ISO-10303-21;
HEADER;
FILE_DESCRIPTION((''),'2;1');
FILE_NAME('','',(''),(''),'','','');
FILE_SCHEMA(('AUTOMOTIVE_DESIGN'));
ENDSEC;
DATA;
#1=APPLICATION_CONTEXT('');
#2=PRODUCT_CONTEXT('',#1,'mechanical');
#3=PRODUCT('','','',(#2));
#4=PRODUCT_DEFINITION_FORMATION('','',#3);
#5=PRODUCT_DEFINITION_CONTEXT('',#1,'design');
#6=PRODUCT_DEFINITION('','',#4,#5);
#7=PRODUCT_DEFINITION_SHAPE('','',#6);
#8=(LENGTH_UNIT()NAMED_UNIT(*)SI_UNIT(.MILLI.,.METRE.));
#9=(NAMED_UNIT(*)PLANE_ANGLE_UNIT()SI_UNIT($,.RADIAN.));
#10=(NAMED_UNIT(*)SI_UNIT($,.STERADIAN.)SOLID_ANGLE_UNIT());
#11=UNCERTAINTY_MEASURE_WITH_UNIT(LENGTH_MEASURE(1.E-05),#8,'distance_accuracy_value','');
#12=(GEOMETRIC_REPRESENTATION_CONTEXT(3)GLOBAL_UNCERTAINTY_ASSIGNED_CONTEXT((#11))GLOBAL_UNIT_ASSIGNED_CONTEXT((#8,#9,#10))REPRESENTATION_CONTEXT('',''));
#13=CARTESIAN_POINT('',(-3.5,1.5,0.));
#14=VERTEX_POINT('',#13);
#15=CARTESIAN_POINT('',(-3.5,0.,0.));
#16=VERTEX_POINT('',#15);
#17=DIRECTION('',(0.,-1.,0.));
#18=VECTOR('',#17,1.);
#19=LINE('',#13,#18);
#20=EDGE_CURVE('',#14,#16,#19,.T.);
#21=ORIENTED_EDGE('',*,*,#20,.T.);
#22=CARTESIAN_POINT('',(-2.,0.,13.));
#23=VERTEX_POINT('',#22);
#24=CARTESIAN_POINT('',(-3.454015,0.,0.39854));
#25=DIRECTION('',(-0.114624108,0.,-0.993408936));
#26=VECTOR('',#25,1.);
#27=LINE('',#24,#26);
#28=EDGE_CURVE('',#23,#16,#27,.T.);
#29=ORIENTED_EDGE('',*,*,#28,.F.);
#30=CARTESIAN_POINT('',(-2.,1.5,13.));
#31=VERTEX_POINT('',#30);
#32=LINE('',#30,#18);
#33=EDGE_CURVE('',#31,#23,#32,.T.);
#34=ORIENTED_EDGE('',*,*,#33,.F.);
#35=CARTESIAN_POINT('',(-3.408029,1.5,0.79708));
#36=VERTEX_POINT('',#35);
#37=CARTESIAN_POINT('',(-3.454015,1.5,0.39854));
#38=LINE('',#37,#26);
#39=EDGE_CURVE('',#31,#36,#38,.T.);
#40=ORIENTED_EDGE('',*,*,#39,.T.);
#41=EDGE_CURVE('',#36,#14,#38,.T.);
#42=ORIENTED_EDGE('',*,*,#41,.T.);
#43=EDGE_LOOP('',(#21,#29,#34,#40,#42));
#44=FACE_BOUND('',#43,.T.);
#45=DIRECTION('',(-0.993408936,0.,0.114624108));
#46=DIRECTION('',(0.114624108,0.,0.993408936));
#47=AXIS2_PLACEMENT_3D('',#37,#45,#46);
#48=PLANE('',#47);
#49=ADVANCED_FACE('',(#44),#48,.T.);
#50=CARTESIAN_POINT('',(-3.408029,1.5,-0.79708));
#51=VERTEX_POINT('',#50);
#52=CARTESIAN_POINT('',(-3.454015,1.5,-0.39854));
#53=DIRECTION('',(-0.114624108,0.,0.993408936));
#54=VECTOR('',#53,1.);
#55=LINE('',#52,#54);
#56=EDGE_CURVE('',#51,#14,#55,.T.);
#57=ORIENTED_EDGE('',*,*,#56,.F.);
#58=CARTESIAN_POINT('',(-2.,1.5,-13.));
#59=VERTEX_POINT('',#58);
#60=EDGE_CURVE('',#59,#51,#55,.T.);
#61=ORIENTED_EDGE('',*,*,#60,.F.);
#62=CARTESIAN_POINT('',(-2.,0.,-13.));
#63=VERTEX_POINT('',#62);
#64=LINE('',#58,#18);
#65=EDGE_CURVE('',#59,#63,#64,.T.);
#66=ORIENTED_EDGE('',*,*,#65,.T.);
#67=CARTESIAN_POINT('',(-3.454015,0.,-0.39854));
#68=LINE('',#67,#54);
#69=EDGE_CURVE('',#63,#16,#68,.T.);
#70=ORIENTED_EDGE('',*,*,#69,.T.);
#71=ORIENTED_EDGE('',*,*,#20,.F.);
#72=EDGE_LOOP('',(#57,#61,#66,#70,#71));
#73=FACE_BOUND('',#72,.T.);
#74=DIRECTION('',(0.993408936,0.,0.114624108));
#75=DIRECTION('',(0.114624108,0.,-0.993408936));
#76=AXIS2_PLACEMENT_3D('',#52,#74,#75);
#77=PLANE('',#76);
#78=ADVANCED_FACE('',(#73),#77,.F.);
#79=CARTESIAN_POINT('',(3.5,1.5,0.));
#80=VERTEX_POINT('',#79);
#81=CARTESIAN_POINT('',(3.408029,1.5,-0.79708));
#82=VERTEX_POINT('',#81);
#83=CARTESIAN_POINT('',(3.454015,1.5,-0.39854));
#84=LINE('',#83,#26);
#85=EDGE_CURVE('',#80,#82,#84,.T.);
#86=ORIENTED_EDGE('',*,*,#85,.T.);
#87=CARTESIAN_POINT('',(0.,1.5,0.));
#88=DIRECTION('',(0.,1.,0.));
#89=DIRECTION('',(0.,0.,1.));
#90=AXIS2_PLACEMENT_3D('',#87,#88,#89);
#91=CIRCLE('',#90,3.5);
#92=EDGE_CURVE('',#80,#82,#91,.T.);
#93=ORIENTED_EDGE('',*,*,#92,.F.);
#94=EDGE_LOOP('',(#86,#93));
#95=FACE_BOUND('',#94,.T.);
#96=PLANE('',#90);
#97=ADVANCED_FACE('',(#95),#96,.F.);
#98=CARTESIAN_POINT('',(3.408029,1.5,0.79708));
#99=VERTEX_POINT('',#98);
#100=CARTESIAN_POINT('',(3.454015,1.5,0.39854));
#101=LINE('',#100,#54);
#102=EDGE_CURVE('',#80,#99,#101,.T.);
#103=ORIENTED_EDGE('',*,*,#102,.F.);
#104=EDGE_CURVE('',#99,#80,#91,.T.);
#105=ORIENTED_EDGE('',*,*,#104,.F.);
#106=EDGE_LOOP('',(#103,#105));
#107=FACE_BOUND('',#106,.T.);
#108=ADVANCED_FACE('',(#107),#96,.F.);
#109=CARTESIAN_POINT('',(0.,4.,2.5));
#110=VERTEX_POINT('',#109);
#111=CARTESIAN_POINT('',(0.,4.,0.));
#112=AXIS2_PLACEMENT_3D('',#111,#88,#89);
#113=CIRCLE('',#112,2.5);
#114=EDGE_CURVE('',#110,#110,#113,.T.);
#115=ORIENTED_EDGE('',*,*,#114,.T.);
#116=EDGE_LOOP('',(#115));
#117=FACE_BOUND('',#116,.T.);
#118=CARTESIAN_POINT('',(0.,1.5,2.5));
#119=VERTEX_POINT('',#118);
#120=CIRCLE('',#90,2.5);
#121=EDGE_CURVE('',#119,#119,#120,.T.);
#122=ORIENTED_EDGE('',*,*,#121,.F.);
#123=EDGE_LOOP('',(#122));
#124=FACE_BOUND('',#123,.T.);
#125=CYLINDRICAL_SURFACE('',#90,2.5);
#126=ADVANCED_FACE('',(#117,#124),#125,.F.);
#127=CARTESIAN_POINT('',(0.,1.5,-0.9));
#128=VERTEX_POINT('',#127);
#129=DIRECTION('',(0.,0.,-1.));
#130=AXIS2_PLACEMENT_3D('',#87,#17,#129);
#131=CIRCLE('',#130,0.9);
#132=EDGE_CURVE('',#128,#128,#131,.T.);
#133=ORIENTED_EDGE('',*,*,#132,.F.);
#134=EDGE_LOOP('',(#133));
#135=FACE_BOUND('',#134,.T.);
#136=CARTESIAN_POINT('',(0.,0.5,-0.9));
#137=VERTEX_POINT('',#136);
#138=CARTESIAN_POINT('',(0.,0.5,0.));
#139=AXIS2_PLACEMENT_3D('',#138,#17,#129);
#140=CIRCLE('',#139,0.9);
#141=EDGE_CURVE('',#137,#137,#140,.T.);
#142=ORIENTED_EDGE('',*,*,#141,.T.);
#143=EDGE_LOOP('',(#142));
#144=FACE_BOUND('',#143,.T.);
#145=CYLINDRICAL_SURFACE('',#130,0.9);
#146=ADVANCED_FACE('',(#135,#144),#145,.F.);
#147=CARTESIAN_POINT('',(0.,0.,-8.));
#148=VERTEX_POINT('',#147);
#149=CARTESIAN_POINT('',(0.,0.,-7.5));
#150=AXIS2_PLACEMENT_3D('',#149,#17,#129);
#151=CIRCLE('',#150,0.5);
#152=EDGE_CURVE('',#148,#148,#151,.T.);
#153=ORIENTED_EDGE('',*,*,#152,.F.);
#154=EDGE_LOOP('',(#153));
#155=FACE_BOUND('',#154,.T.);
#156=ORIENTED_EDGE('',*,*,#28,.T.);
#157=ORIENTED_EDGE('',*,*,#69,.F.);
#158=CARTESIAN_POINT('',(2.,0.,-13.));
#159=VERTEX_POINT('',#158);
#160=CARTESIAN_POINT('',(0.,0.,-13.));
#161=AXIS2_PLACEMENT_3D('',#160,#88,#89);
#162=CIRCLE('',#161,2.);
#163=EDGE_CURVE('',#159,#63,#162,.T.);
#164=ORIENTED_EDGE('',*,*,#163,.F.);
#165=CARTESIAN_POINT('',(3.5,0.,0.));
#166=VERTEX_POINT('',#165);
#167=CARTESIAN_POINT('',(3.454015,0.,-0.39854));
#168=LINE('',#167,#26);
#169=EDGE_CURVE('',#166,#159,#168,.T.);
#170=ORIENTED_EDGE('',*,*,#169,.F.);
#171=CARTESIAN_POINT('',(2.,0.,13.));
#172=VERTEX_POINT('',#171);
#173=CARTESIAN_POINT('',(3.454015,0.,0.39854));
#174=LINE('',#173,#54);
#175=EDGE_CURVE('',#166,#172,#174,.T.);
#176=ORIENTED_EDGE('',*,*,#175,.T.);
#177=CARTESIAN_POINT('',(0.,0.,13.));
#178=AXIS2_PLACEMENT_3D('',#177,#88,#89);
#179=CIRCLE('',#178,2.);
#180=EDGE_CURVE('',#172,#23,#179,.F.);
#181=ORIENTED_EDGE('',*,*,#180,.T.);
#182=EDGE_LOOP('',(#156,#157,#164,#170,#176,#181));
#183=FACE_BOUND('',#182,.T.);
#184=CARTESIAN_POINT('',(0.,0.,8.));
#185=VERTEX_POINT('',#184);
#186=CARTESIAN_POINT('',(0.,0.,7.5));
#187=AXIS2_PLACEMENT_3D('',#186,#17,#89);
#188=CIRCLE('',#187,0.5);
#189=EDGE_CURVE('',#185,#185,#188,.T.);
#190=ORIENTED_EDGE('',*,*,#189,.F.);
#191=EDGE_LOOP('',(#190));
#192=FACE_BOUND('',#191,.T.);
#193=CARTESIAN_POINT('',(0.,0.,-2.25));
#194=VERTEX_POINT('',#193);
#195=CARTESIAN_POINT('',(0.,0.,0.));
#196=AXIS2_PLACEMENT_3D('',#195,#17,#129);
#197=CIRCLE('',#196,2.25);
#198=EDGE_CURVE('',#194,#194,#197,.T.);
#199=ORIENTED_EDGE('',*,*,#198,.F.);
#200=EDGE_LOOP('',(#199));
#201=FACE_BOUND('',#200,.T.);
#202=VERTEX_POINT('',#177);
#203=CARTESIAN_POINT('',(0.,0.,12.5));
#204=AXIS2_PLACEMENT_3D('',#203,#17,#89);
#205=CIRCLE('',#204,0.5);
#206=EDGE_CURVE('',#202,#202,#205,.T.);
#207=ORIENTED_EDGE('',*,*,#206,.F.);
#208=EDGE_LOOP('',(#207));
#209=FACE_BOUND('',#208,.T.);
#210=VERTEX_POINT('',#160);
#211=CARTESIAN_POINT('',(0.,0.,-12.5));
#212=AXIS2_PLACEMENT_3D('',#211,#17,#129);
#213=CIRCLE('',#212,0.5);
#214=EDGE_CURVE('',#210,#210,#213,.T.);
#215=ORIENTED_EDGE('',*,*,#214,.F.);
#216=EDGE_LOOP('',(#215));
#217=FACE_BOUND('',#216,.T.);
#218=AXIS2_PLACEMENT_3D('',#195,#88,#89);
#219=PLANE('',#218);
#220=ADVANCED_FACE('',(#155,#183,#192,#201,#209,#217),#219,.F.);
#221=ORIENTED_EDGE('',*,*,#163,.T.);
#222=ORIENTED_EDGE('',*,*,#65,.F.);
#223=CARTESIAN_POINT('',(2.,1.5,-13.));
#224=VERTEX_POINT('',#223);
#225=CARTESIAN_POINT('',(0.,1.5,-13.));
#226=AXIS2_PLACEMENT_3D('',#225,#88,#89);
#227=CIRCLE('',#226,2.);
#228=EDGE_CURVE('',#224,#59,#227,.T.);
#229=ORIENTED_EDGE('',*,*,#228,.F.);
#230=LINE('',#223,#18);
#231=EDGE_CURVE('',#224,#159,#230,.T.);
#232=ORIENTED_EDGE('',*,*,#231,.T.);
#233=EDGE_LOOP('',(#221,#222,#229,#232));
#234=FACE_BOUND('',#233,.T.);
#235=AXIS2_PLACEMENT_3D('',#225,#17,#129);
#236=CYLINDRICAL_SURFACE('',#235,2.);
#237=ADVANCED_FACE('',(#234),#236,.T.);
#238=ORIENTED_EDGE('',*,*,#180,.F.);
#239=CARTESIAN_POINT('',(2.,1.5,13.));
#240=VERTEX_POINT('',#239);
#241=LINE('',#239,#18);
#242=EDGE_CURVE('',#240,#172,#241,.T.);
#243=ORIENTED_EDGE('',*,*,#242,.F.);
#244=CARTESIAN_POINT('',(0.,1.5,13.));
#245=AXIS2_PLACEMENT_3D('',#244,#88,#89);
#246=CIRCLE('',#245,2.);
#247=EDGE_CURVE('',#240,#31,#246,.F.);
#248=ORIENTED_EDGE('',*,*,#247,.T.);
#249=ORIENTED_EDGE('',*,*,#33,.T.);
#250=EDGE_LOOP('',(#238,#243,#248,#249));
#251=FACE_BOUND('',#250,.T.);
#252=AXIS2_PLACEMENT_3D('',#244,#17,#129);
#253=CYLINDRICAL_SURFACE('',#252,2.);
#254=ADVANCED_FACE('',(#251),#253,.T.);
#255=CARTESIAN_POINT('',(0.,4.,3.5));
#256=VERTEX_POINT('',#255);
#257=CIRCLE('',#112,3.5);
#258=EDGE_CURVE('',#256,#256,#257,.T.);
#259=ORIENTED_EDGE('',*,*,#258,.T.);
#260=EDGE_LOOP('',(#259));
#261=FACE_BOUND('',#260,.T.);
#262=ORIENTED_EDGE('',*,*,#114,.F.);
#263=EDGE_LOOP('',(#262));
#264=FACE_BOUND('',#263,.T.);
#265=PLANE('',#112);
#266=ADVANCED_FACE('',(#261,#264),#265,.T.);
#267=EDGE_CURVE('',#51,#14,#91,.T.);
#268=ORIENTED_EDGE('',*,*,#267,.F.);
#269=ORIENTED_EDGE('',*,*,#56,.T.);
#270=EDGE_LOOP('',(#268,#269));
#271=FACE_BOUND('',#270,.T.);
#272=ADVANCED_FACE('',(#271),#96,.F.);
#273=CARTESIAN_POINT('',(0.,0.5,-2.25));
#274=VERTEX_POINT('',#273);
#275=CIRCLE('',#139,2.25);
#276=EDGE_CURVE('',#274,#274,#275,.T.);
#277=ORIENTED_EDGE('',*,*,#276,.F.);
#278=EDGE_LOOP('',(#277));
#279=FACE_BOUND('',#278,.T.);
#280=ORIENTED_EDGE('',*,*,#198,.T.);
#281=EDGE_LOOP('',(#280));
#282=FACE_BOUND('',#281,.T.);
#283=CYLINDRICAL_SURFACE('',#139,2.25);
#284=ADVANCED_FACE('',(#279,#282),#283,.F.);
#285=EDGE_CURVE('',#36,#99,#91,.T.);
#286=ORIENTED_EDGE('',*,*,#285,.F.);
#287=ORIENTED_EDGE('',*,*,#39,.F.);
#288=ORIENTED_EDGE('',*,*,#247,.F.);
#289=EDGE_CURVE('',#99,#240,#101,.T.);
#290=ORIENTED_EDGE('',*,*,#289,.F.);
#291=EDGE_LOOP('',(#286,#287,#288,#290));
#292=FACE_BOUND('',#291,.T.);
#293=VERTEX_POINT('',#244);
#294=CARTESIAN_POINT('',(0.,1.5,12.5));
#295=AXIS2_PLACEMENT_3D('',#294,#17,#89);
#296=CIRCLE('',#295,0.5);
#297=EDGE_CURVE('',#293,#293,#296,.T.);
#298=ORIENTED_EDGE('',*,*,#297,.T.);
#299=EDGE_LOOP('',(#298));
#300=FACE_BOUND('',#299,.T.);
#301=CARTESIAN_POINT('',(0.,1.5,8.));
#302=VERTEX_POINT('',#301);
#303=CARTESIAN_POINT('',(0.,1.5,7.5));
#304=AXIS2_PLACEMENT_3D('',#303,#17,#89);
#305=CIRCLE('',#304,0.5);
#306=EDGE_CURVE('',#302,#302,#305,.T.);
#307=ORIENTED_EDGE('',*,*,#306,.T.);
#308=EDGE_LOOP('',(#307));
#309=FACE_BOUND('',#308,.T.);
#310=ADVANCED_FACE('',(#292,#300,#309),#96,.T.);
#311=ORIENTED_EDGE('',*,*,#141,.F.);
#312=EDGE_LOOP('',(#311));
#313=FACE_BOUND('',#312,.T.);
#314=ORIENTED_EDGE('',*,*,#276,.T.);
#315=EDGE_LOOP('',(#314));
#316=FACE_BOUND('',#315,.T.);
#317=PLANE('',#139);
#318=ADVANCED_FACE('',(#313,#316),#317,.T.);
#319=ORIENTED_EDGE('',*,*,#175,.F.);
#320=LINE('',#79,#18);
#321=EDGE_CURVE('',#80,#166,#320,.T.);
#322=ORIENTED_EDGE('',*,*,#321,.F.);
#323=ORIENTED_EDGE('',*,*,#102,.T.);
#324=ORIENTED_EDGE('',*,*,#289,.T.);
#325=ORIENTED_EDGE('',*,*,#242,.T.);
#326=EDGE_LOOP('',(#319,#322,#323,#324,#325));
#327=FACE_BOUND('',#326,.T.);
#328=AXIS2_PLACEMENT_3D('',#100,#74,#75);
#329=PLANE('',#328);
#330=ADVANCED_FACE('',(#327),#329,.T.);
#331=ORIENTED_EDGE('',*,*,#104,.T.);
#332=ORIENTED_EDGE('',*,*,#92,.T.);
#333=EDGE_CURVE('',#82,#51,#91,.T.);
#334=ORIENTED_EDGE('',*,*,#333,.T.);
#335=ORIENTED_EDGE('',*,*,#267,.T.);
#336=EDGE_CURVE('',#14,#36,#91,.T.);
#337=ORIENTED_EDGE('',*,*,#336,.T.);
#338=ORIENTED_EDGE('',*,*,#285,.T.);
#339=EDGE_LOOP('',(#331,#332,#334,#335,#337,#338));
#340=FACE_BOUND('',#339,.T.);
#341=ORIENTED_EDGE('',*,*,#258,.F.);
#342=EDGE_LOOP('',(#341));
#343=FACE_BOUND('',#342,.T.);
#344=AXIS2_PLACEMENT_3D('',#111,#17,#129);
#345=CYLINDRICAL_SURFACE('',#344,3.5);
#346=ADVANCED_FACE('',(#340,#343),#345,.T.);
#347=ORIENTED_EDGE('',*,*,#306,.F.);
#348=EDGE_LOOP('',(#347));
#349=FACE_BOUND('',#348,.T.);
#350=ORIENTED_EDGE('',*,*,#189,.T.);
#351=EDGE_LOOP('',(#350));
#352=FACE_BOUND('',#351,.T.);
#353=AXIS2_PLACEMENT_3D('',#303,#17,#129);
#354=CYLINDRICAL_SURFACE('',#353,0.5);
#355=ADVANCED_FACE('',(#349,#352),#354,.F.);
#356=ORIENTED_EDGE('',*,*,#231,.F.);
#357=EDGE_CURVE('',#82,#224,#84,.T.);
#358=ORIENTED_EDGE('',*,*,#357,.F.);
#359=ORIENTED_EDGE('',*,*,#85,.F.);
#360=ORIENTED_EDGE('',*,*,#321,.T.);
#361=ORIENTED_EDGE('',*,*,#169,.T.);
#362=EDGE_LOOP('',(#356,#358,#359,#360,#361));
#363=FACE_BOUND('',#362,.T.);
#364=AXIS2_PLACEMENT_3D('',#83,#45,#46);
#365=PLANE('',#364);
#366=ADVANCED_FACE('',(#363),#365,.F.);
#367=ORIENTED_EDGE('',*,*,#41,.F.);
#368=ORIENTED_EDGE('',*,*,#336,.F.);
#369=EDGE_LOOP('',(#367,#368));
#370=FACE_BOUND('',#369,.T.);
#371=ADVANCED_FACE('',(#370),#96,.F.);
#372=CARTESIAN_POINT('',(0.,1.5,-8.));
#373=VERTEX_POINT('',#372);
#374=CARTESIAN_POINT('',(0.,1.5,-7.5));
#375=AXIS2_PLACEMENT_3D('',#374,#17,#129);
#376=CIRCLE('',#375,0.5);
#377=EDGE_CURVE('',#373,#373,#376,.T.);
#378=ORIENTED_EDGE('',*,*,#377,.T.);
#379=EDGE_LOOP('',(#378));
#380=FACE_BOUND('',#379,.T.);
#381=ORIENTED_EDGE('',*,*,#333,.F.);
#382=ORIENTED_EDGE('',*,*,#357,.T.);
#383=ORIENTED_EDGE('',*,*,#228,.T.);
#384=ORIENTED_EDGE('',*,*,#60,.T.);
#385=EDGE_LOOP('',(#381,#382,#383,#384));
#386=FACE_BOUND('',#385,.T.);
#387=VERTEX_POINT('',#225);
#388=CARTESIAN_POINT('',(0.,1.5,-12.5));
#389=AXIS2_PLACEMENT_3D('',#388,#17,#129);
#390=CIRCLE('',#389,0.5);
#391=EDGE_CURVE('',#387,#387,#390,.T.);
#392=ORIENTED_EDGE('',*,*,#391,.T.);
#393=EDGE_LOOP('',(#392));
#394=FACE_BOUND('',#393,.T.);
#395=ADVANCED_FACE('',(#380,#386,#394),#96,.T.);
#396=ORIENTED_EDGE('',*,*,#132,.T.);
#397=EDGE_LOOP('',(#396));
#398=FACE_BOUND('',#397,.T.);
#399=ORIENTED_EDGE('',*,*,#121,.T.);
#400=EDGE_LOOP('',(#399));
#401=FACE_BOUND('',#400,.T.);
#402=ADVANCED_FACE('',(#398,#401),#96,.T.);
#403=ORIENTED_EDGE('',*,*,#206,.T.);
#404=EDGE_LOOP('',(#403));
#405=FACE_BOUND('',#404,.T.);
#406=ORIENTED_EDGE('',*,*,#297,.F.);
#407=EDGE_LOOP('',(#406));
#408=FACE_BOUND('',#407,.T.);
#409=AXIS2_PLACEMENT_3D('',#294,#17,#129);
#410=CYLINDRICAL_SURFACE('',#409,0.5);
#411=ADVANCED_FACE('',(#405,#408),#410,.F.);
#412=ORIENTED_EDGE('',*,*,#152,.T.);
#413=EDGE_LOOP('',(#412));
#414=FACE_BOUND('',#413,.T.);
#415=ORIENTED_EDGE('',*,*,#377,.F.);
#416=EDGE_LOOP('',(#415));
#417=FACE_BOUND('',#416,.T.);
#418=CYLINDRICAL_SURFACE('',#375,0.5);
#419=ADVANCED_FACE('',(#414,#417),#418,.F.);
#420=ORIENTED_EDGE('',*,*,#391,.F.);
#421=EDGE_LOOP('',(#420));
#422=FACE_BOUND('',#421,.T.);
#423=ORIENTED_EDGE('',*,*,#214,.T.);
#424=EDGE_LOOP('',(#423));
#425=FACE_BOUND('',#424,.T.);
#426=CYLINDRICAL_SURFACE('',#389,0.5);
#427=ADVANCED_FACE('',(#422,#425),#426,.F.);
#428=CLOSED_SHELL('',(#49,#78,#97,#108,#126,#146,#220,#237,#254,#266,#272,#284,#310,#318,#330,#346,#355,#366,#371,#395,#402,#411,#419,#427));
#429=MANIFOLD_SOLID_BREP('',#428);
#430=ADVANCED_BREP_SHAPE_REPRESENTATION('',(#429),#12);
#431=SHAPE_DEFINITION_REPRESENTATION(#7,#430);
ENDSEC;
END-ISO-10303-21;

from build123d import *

# Parameters (mm, degrees)
EXTRUDE_2_DEPTH     = 1.5
SKETCH_7_R          = 3.5
EXTRUDE_3_DEPTH     = 2.5
SKETCH_8_R          = 2.5
CUT_EXTRUDE_1_DEPTH = 2.5
SKETCH_9_R          = 2.25
CUT_EXTRUDE_2_DEPTH = 0.5
SKETCH_10_R         = 0.9
CUT_EXTRUDE_3_DEPTH = 1
SKETCH_11_R         = 0.5
CUT_EXTRUDE_4_DEPTH = 1.5


with BuildPart() as part:
    # Эскиз1 → Бобышка-Вытянуть2 (new body)
    with BuildSketch(Plane(origin=(0, 0, 0), x_dir=(1, 0, 0), z_dir=(0, 1, 0))):
        with BuildLine():
            ThreePointArc((2, 13), (0, 15), (-2, 13))
            Line((-2, 13), (-3.5, 0))
            Line((-3.5, 0), (-2, -13))
            ThreePointArc((-2, -13), (0, -15), (2, -13))
            Line((2, -13), (3.5, 0))
            Line((3.5, 0), (2, 13))
        make_face()
    extrude(amount=EXTRUDE_2_DEPTH)

    # Эскиз7 → Бобышка-Вытянуть3 (add)
    with BuildSketch(Plane(origin=(0, 1.5, 0), x_dir=(1, 0, 0), z_dir=(0, 1, 0))):
        Circle(SKETCH_7_R)
    extrude(amount=EXTRUDE_3_DEPTH)

    # Эскиз8 → Вырез-Вытянуть1 (cut)
    with BuildSketch(Plane(origin=(0, 4, 0), x_dir=(1, 0, 0), z_dir=(0, 1, 0))):
        Circle(SKETCH_8_R)
    extrude(amount=-CUT_EXTRUDE_1_DEPTH, mode=Mode.SUBTRACT)

    # Эскиз9 → Вырез-Вытянуть2 (cut)
    with BuildSketch(Plane.XZ):
        Circle(SKETCH_9_R)
    extrude(amount=-CUT_EXTRUDE_2_DEPTH, mode=Mode.SUBTRACT)

    # Эскиз10 → Вырез-Вытянуть3 (cut)
    with BuildSketch(Plane.XZ.offset(-0.5)):
        Circle(SKETCH_10_R)
    extrude(amount=-CUT_EXTRUDE_3_DEPTH, mode=Mode.SUBTRACT)

    # Эскиз11 → Вырез-Вытянуть4 (cut)
    with BuildSketch(Plane.XZ):
        with Locations((0, -7.5)):
            Circle(SKETCH_11_R)
        with Locations((0, -12.5)):
            Circle(SKETCH_11_R)
        with Locations((0, 12.5)):
            Circle(SKETCH_11_R)
        with Locations((0, 7.5)):
            Circle(SKETCH_11_R)
    extrude(amount=-CUT_EXTRUDE_4_DEPTH, mode=Mode.SUBTRACT)


solid = part.part
